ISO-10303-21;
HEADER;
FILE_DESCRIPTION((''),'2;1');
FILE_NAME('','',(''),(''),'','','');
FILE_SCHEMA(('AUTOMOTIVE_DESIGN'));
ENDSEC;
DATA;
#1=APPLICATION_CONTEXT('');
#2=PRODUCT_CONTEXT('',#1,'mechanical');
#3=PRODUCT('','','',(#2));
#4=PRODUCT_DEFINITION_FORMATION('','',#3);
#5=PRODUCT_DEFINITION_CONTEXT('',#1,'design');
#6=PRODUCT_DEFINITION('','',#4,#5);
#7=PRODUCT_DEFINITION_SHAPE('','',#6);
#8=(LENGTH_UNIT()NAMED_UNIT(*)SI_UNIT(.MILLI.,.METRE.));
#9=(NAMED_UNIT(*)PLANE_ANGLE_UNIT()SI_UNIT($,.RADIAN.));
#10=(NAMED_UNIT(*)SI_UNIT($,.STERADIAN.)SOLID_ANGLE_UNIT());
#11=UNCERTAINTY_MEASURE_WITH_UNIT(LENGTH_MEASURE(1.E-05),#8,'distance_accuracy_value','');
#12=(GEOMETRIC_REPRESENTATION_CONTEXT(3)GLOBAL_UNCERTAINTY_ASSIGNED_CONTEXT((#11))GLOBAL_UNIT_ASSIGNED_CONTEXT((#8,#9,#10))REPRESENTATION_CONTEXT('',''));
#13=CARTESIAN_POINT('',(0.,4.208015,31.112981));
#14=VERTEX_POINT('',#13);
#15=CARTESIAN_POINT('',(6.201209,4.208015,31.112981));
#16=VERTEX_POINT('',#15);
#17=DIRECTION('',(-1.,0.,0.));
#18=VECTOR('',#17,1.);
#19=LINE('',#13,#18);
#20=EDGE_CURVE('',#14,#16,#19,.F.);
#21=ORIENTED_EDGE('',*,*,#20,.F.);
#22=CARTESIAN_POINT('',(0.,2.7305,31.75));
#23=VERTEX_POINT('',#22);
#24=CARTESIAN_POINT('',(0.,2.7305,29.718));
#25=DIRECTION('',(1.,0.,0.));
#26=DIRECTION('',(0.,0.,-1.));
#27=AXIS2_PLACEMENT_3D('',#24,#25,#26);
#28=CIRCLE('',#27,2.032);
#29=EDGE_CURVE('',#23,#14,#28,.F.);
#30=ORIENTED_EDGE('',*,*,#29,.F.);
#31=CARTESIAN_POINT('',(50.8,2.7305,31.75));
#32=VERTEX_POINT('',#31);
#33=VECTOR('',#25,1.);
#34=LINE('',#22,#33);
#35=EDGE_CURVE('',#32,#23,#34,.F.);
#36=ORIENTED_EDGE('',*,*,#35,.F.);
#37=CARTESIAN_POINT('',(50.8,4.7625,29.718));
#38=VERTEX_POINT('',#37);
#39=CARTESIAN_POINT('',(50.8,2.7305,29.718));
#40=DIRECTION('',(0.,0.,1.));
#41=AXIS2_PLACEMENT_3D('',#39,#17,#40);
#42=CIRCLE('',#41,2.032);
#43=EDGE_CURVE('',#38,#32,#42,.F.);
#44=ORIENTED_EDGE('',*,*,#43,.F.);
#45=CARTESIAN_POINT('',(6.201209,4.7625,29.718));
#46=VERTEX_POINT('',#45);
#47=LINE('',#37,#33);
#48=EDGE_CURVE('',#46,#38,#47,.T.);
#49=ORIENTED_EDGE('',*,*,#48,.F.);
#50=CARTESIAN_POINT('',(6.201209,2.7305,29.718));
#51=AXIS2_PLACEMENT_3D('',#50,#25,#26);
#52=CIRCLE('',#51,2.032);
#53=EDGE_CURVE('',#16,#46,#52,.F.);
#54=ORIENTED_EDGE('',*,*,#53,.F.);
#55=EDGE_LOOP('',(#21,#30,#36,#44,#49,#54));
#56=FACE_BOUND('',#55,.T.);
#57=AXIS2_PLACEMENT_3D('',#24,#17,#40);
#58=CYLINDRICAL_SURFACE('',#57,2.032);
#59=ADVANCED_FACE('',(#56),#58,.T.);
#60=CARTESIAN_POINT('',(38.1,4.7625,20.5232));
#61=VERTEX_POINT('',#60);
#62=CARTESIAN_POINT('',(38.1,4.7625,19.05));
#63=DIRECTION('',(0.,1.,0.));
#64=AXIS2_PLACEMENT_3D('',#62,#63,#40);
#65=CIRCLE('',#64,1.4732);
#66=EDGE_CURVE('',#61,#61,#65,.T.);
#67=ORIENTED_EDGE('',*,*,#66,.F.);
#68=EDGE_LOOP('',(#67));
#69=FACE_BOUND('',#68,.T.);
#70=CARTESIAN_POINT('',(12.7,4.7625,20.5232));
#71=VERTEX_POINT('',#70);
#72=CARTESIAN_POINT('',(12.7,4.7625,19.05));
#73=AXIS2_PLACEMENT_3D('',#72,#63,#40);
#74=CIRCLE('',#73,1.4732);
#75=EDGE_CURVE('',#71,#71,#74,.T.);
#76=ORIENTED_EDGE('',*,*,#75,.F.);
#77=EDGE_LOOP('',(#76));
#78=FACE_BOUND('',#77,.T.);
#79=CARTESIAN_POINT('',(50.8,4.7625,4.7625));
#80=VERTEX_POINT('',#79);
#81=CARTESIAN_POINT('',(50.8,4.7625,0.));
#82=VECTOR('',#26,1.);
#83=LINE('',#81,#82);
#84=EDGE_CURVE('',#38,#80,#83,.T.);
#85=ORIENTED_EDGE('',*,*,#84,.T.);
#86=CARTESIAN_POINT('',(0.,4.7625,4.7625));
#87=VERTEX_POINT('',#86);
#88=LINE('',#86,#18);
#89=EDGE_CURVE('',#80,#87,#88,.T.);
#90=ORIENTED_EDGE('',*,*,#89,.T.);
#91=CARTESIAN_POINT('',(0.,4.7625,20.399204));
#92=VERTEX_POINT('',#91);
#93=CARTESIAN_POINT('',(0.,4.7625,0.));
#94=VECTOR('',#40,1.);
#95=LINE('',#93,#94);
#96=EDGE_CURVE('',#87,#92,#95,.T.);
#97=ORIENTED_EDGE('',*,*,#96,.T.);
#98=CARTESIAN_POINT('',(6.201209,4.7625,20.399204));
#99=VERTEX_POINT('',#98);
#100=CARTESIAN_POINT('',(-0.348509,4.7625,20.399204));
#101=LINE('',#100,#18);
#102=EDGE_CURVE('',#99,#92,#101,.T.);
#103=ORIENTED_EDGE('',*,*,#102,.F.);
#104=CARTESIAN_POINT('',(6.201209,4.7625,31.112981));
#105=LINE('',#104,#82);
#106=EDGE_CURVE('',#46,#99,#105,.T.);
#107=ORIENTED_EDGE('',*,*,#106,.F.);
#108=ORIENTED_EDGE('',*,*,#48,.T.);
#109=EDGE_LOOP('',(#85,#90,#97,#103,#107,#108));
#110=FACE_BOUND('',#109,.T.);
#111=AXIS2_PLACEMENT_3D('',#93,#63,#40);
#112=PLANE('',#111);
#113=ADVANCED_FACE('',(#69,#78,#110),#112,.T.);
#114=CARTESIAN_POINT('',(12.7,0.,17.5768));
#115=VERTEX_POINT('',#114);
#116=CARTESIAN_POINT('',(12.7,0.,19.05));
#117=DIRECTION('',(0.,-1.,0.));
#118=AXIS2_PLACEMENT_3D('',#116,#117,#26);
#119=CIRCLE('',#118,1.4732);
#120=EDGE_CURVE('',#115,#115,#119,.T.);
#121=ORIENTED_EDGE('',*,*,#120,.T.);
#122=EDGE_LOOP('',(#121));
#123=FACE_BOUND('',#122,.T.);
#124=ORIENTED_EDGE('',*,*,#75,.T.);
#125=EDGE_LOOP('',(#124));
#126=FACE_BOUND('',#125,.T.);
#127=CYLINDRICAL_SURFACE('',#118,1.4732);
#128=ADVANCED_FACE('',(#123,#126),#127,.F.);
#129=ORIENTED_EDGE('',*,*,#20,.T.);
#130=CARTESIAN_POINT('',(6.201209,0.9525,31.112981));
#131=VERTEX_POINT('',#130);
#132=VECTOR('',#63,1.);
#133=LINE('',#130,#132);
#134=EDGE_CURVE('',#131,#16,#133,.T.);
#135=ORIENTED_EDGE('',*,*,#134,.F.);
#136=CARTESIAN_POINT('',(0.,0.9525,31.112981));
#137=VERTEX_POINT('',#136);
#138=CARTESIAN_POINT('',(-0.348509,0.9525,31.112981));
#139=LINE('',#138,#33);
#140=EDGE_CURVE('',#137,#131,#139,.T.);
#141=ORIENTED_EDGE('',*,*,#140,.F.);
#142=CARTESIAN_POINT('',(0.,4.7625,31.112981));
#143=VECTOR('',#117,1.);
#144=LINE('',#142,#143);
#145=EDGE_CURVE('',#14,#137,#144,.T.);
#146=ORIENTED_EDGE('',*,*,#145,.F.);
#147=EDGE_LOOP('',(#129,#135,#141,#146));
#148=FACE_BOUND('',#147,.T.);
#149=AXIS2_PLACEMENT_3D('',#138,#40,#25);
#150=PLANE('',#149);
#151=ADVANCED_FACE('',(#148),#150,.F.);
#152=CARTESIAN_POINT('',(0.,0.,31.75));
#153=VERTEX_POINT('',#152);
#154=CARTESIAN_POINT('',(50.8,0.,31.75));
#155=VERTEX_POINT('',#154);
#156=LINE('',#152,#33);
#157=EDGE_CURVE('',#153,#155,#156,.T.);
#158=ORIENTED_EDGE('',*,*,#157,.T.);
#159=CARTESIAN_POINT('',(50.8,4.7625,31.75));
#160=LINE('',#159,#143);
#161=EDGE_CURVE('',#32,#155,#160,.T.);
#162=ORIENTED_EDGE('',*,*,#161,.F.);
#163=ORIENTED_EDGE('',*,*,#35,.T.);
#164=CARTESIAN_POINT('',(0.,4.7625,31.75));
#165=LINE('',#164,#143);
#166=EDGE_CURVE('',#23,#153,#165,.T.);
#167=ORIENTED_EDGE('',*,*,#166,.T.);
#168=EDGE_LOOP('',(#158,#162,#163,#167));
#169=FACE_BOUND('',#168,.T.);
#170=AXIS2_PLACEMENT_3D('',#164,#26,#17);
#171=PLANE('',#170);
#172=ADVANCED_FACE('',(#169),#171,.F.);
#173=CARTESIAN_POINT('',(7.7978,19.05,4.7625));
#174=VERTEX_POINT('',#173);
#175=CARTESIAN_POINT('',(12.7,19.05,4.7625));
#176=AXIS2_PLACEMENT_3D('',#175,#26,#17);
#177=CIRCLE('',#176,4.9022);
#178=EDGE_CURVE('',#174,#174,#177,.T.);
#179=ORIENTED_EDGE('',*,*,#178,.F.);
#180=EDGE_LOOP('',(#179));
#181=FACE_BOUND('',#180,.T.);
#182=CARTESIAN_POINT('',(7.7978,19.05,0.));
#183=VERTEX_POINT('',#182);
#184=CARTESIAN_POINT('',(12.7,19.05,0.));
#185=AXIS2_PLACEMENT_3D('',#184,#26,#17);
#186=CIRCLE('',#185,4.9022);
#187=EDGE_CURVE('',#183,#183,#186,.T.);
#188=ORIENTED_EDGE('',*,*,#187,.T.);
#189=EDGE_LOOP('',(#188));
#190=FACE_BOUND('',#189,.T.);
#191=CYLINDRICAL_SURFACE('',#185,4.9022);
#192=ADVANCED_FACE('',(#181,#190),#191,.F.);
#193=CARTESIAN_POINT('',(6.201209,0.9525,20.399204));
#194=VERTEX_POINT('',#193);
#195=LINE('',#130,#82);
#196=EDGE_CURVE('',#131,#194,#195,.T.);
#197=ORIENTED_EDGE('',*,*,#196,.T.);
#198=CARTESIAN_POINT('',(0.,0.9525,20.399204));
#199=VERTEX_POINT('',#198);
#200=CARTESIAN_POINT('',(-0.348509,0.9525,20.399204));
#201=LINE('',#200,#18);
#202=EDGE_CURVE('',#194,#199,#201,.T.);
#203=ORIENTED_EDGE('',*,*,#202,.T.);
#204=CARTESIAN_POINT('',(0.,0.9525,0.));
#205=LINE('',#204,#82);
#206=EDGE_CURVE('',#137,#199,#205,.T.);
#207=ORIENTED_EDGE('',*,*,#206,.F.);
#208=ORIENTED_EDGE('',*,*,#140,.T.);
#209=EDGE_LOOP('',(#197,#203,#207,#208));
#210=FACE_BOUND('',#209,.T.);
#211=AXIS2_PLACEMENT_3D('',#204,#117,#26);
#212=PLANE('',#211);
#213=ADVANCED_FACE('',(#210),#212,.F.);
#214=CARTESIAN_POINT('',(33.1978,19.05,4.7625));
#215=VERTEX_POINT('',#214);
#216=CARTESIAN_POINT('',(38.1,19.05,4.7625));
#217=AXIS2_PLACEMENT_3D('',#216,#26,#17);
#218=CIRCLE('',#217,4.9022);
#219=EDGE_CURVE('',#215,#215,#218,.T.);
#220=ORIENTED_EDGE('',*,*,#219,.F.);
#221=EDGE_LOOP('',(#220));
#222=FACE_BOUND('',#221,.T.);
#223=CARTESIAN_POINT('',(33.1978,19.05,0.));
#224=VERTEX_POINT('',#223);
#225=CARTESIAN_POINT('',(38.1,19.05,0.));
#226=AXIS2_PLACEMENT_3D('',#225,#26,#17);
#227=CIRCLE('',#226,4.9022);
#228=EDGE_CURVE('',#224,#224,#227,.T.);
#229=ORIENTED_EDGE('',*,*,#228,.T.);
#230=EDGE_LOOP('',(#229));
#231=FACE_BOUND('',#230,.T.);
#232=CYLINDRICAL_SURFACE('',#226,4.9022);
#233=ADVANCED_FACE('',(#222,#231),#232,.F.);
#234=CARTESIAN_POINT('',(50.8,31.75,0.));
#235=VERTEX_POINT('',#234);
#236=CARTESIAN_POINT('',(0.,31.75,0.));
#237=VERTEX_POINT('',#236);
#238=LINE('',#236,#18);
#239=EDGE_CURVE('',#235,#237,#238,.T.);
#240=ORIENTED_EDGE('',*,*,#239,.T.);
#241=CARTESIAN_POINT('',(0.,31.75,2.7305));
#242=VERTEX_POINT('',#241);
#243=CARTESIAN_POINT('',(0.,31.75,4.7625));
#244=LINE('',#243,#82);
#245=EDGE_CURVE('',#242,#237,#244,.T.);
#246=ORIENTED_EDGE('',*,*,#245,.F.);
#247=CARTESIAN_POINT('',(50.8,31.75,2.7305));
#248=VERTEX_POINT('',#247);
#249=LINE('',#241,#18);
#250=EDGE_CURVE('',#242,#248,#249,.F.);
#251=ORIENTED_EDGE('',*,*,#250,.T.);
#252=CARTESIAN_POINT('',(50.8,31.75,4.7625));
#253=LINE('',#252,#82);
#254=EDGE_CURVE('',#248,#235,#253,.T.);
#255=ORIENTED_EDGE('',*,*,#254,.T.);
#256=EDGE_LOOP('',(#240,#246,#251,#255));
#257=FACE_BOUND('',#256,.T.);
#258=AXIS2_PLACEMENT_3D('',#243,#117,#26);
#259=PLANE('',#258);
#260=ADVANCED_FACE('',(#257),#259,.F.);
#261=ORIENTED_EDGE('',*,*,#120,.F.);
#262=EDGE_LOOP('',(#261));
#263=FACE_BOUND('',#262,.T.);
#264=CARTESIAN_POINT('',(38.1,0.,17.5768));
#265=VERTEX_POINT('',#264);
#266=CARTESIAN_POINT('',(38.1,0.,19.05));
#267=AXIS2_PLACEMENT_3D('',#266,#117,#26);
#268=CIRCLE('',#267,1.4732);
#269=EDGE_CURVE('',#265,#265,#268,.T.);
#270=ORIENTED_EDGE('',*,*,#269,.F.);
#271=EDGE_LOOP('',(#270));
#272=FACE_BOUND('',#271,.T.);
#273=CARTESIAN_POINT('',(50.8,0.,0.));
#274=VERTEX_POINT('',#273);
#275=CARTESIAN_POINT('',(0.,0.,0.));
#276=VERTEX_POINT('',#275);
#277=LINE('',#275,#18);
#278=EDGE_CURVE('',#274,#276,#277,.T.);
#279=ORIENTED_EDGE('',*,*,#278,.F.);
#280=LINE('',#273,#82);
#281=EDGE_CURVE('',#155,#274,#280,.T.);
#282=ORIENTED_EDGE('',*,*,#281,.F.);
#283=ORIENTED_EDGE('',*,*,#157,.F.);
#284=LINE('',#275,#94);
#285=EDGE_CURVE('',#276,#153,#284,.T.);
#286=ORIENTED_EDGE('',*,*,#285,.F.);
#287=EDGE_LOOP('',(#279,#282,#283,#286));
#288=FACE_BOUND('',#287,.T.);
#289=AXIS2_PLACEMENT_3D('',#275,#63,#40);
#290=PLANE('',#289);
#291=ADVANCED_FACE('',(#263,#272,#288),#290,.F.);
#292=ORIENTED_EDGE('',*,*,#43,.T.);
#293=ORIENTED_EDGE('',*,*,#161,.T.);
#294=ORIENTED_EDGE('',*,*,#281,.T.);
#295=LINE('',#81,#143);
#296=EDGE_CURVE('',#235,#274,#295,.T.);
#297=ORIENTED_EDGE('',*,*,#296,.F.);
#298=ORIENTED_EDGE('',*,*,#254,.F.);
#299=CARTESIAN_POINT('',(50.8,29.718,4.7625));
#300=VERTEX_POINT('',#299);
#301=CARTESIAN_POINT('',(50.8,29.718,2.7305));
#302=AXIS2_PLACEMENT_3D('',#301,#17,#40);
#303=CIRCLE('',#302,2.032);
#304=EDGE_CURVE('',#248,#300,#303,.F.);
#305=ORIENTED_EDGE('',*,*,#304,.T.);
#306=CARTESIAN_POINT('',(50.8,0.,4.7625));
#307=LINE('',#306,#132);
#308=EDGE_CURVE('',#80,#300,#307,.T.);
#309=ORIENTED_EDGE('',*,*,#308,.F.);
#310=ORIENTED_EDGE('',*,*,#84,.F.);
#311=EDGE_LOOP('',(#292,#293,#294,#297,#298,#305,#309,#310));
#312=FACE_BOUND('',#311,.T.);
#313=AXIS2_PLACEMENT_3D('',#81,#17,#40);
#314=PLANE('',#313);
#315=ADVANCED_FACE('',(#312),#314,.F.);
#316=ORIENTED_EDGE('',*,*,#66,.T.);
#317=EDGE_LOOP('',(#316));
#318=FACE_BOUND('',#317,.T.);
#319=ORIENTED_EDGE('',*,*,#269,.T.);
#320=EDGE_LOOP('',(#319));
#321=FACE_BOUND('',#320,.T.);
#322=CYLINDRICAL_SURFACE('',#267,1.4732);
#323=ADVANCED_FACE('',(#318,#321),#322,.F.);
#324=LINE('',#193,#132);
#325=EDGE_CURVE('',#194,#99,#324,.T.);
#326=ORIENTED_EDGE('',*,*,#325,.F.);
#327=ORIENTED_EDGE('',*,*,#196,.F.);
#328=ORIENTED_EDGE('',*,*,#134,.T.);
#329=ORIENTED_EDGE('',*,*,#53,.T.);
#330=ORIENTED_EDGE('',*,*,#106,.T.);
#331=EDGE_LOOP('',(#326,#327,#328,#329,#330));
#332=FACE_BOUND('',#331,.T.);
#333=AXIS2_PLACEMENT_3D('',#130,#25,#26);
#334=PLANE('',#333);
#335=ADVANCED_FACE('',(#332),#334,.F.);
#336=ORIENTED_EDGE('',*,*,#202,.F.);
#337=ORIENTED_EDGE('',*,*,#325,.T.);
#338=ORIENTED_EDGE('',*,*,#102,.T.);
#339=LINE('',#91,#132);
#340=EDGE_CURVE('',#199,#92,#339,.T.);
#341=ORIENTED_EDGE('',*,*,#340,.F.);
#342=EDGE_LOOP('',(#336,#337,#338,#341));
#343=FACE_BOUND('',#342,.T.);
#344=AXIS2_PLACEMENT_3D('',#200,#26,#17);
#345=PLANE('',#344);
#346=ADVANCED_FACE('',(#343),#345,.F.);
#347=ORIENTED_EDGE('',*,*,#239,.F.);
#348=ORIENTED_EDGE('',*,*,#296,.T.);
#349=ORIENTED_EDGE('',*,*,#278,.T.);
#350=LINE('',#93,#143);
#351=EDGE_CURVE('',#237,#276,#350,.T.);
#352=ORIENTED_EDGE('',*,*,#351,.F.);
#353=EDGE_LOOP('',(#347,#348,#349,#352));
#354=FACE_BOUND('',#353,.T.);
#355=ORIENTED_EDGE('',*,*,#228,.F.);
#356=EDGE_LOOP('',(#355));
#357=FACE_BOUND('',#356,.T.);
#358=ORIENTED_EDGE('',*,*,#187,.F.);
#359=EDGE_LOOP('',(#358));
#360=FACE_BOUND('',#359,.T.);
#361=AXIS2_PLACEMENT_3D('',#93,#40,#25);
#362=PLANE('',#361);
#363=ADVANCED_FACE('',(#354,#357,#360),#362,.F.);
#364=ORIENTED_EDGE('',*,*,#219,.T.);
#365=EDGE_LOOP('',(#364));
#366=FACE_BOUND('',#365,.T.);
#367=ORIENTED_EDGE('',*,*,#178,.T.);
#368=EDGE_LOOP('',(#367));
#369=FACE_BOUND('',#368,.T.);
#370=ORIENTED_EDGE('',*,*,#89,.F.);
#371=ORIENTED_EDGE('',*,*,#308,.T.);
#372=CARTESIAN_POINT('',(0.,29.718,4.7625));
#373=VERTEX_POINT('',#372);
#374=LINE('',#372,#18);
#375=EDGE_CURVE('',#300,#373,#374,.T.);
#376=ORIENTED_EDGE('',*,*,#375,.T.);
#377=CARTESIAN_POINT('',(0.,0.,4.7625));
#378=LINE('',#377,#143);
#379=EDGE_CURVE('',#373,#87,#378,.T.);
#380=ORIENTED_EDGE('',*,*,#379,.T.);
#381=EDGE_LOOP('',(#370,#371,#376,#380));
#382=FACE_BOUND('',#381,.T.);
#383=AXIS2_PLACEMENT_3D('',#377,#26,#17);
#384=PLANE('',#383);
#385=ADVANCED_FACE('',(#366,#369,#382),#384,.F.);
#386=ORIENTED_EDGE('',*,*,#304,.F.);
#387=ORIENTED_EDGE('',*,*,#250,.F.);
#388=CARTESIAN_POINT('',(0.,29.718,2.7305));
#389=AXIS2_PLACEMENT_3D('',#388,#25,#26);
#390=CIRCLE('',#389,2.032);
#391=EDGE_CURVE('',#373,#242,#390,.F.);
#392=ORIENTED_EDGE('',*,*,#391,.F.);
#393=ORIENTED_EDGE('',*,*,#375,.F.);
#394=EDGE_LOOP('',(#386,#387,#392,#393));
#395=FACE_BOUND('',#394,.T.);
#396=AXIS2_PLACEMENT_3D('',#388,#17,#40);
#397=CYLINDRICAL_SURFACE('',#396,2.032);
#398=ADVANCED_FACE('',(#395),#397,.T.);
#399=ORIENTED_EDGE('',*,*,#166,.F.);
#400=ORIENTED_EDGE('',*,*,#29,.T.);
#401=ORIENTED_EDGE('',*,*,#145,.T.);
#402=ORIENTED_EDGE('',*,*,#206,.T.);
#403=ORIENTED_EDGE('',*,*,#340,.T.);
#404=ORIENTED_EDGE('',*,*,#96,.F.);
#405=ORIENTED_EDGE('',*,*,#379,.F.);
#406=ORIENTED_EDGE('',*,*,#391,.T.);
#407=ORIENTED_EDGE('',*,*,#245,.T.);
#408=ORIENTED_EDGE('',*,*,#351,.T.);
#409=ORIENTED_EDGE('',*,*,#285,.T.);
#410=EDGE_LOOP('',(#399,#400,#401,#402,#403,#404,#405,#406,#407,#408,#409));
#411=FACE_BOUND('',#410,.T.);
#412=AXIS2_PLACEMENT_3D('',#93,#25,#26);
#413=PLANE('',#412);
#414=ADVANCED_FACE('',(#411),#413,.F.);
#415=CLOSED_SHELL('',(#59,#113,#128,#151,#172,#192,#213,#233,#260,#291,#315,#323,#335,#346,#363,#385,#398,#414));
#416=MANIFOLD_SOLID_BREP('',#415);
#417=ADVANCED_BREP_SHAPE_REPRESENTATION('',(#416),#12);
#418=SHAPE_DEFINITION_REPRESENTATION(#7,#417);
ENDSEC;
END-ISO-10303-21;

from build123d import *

# Parameters (mm, degrees)
SKETCH1_W                   = 50.8
SKETCH1_H                   = 31.75
BASE_LEG_DEPTH              = 4.7625
SKETCH2_W                   = 50.8
SKETCH2_H                   = 31.75
PERPENDICULAR_LEG_DEPTH     = 4.7625
FILLET1_R                   = 2.032
F_32_0_116_DIAMETER_HOLE1_D = 2.9464
W_0_386_DIAMETER_HOLE1_D    = 9.8044
SKETCH15_W                  = 6.549717957
SKETCH15_H                  = 10.713777056
CUT_EXTRUDE2_DEPTH          = 3.81


with BuildPart() as part:
    # Sketch1 → Base leg (new body)
    with BuildSketch(Plane(origin=(0, 0, 0), x_dir=(1, 0, 0), z_dir=(0, 1, 0))):
        with Locations((25.4, -15.875)):
            Rectangle(SKETCH1_W, SKETCH1_H)
    extrude(amount=BASE_LEG_DEPTH)

    # Sketch2 → Perpendicular leg (add)
    with BuildSketch(Plane.XY):
        with Locations((25.4, 15.875)):
            Rectangle(SKETCH2_W, SKETCH2_H)
    extrude(amount=PERPENDICULAR_LEG_DEPTH)

    # Fillet1
    fillet1_edges = [part.edges().sort_by_distance(p)[0] for p in [
        (25.4, 31.75, 4.7625),
        (25.4, 4.7625, 31.75),
    ]]
    fillet(fillet1_edges, radius=FILLET1_R)

    # #32 (0.116) Diameter Hole1 (through all)
    with Locations(Plane(origin=(0, 0, 0), x_dir=(-1, 0, 0), z_dir=(0, -1, 0))):
        with Locations((-38.1, -19.05), (-12.7, -19.05)):
            Hole(F_32_0_116_DIAMETER_HOLE1_D / 2)

    # W (0.386) Diameter Hole1 (through all)
    with Locations(Plane(origin=(0, 0, 0), x_dir=(-1, 0, 0), z_dir=(0, 0, -1))):
        with Locations((-12.7, 19.05), (-38.1, 19.05)):
            Hole(W_0_386_DIAMETER_HOLE1_D / 2)

    # Sketch15 → Cut-Extrude2 (cut)
    with BuildSketch(Plane(origin=(0, 4.7625, 0), x_dir=(1, 0, 0), z_dir=(0, 1, 0))):
        with Locations((2.926349869, -25.756092966)):
            Rectangle(SKETCH15_W, SKETCH15_H)
    extrude(amount=-CUT_EXTRUDE2_DEPTH, mode=Mode.SUBTRACT)


solid = part.part
